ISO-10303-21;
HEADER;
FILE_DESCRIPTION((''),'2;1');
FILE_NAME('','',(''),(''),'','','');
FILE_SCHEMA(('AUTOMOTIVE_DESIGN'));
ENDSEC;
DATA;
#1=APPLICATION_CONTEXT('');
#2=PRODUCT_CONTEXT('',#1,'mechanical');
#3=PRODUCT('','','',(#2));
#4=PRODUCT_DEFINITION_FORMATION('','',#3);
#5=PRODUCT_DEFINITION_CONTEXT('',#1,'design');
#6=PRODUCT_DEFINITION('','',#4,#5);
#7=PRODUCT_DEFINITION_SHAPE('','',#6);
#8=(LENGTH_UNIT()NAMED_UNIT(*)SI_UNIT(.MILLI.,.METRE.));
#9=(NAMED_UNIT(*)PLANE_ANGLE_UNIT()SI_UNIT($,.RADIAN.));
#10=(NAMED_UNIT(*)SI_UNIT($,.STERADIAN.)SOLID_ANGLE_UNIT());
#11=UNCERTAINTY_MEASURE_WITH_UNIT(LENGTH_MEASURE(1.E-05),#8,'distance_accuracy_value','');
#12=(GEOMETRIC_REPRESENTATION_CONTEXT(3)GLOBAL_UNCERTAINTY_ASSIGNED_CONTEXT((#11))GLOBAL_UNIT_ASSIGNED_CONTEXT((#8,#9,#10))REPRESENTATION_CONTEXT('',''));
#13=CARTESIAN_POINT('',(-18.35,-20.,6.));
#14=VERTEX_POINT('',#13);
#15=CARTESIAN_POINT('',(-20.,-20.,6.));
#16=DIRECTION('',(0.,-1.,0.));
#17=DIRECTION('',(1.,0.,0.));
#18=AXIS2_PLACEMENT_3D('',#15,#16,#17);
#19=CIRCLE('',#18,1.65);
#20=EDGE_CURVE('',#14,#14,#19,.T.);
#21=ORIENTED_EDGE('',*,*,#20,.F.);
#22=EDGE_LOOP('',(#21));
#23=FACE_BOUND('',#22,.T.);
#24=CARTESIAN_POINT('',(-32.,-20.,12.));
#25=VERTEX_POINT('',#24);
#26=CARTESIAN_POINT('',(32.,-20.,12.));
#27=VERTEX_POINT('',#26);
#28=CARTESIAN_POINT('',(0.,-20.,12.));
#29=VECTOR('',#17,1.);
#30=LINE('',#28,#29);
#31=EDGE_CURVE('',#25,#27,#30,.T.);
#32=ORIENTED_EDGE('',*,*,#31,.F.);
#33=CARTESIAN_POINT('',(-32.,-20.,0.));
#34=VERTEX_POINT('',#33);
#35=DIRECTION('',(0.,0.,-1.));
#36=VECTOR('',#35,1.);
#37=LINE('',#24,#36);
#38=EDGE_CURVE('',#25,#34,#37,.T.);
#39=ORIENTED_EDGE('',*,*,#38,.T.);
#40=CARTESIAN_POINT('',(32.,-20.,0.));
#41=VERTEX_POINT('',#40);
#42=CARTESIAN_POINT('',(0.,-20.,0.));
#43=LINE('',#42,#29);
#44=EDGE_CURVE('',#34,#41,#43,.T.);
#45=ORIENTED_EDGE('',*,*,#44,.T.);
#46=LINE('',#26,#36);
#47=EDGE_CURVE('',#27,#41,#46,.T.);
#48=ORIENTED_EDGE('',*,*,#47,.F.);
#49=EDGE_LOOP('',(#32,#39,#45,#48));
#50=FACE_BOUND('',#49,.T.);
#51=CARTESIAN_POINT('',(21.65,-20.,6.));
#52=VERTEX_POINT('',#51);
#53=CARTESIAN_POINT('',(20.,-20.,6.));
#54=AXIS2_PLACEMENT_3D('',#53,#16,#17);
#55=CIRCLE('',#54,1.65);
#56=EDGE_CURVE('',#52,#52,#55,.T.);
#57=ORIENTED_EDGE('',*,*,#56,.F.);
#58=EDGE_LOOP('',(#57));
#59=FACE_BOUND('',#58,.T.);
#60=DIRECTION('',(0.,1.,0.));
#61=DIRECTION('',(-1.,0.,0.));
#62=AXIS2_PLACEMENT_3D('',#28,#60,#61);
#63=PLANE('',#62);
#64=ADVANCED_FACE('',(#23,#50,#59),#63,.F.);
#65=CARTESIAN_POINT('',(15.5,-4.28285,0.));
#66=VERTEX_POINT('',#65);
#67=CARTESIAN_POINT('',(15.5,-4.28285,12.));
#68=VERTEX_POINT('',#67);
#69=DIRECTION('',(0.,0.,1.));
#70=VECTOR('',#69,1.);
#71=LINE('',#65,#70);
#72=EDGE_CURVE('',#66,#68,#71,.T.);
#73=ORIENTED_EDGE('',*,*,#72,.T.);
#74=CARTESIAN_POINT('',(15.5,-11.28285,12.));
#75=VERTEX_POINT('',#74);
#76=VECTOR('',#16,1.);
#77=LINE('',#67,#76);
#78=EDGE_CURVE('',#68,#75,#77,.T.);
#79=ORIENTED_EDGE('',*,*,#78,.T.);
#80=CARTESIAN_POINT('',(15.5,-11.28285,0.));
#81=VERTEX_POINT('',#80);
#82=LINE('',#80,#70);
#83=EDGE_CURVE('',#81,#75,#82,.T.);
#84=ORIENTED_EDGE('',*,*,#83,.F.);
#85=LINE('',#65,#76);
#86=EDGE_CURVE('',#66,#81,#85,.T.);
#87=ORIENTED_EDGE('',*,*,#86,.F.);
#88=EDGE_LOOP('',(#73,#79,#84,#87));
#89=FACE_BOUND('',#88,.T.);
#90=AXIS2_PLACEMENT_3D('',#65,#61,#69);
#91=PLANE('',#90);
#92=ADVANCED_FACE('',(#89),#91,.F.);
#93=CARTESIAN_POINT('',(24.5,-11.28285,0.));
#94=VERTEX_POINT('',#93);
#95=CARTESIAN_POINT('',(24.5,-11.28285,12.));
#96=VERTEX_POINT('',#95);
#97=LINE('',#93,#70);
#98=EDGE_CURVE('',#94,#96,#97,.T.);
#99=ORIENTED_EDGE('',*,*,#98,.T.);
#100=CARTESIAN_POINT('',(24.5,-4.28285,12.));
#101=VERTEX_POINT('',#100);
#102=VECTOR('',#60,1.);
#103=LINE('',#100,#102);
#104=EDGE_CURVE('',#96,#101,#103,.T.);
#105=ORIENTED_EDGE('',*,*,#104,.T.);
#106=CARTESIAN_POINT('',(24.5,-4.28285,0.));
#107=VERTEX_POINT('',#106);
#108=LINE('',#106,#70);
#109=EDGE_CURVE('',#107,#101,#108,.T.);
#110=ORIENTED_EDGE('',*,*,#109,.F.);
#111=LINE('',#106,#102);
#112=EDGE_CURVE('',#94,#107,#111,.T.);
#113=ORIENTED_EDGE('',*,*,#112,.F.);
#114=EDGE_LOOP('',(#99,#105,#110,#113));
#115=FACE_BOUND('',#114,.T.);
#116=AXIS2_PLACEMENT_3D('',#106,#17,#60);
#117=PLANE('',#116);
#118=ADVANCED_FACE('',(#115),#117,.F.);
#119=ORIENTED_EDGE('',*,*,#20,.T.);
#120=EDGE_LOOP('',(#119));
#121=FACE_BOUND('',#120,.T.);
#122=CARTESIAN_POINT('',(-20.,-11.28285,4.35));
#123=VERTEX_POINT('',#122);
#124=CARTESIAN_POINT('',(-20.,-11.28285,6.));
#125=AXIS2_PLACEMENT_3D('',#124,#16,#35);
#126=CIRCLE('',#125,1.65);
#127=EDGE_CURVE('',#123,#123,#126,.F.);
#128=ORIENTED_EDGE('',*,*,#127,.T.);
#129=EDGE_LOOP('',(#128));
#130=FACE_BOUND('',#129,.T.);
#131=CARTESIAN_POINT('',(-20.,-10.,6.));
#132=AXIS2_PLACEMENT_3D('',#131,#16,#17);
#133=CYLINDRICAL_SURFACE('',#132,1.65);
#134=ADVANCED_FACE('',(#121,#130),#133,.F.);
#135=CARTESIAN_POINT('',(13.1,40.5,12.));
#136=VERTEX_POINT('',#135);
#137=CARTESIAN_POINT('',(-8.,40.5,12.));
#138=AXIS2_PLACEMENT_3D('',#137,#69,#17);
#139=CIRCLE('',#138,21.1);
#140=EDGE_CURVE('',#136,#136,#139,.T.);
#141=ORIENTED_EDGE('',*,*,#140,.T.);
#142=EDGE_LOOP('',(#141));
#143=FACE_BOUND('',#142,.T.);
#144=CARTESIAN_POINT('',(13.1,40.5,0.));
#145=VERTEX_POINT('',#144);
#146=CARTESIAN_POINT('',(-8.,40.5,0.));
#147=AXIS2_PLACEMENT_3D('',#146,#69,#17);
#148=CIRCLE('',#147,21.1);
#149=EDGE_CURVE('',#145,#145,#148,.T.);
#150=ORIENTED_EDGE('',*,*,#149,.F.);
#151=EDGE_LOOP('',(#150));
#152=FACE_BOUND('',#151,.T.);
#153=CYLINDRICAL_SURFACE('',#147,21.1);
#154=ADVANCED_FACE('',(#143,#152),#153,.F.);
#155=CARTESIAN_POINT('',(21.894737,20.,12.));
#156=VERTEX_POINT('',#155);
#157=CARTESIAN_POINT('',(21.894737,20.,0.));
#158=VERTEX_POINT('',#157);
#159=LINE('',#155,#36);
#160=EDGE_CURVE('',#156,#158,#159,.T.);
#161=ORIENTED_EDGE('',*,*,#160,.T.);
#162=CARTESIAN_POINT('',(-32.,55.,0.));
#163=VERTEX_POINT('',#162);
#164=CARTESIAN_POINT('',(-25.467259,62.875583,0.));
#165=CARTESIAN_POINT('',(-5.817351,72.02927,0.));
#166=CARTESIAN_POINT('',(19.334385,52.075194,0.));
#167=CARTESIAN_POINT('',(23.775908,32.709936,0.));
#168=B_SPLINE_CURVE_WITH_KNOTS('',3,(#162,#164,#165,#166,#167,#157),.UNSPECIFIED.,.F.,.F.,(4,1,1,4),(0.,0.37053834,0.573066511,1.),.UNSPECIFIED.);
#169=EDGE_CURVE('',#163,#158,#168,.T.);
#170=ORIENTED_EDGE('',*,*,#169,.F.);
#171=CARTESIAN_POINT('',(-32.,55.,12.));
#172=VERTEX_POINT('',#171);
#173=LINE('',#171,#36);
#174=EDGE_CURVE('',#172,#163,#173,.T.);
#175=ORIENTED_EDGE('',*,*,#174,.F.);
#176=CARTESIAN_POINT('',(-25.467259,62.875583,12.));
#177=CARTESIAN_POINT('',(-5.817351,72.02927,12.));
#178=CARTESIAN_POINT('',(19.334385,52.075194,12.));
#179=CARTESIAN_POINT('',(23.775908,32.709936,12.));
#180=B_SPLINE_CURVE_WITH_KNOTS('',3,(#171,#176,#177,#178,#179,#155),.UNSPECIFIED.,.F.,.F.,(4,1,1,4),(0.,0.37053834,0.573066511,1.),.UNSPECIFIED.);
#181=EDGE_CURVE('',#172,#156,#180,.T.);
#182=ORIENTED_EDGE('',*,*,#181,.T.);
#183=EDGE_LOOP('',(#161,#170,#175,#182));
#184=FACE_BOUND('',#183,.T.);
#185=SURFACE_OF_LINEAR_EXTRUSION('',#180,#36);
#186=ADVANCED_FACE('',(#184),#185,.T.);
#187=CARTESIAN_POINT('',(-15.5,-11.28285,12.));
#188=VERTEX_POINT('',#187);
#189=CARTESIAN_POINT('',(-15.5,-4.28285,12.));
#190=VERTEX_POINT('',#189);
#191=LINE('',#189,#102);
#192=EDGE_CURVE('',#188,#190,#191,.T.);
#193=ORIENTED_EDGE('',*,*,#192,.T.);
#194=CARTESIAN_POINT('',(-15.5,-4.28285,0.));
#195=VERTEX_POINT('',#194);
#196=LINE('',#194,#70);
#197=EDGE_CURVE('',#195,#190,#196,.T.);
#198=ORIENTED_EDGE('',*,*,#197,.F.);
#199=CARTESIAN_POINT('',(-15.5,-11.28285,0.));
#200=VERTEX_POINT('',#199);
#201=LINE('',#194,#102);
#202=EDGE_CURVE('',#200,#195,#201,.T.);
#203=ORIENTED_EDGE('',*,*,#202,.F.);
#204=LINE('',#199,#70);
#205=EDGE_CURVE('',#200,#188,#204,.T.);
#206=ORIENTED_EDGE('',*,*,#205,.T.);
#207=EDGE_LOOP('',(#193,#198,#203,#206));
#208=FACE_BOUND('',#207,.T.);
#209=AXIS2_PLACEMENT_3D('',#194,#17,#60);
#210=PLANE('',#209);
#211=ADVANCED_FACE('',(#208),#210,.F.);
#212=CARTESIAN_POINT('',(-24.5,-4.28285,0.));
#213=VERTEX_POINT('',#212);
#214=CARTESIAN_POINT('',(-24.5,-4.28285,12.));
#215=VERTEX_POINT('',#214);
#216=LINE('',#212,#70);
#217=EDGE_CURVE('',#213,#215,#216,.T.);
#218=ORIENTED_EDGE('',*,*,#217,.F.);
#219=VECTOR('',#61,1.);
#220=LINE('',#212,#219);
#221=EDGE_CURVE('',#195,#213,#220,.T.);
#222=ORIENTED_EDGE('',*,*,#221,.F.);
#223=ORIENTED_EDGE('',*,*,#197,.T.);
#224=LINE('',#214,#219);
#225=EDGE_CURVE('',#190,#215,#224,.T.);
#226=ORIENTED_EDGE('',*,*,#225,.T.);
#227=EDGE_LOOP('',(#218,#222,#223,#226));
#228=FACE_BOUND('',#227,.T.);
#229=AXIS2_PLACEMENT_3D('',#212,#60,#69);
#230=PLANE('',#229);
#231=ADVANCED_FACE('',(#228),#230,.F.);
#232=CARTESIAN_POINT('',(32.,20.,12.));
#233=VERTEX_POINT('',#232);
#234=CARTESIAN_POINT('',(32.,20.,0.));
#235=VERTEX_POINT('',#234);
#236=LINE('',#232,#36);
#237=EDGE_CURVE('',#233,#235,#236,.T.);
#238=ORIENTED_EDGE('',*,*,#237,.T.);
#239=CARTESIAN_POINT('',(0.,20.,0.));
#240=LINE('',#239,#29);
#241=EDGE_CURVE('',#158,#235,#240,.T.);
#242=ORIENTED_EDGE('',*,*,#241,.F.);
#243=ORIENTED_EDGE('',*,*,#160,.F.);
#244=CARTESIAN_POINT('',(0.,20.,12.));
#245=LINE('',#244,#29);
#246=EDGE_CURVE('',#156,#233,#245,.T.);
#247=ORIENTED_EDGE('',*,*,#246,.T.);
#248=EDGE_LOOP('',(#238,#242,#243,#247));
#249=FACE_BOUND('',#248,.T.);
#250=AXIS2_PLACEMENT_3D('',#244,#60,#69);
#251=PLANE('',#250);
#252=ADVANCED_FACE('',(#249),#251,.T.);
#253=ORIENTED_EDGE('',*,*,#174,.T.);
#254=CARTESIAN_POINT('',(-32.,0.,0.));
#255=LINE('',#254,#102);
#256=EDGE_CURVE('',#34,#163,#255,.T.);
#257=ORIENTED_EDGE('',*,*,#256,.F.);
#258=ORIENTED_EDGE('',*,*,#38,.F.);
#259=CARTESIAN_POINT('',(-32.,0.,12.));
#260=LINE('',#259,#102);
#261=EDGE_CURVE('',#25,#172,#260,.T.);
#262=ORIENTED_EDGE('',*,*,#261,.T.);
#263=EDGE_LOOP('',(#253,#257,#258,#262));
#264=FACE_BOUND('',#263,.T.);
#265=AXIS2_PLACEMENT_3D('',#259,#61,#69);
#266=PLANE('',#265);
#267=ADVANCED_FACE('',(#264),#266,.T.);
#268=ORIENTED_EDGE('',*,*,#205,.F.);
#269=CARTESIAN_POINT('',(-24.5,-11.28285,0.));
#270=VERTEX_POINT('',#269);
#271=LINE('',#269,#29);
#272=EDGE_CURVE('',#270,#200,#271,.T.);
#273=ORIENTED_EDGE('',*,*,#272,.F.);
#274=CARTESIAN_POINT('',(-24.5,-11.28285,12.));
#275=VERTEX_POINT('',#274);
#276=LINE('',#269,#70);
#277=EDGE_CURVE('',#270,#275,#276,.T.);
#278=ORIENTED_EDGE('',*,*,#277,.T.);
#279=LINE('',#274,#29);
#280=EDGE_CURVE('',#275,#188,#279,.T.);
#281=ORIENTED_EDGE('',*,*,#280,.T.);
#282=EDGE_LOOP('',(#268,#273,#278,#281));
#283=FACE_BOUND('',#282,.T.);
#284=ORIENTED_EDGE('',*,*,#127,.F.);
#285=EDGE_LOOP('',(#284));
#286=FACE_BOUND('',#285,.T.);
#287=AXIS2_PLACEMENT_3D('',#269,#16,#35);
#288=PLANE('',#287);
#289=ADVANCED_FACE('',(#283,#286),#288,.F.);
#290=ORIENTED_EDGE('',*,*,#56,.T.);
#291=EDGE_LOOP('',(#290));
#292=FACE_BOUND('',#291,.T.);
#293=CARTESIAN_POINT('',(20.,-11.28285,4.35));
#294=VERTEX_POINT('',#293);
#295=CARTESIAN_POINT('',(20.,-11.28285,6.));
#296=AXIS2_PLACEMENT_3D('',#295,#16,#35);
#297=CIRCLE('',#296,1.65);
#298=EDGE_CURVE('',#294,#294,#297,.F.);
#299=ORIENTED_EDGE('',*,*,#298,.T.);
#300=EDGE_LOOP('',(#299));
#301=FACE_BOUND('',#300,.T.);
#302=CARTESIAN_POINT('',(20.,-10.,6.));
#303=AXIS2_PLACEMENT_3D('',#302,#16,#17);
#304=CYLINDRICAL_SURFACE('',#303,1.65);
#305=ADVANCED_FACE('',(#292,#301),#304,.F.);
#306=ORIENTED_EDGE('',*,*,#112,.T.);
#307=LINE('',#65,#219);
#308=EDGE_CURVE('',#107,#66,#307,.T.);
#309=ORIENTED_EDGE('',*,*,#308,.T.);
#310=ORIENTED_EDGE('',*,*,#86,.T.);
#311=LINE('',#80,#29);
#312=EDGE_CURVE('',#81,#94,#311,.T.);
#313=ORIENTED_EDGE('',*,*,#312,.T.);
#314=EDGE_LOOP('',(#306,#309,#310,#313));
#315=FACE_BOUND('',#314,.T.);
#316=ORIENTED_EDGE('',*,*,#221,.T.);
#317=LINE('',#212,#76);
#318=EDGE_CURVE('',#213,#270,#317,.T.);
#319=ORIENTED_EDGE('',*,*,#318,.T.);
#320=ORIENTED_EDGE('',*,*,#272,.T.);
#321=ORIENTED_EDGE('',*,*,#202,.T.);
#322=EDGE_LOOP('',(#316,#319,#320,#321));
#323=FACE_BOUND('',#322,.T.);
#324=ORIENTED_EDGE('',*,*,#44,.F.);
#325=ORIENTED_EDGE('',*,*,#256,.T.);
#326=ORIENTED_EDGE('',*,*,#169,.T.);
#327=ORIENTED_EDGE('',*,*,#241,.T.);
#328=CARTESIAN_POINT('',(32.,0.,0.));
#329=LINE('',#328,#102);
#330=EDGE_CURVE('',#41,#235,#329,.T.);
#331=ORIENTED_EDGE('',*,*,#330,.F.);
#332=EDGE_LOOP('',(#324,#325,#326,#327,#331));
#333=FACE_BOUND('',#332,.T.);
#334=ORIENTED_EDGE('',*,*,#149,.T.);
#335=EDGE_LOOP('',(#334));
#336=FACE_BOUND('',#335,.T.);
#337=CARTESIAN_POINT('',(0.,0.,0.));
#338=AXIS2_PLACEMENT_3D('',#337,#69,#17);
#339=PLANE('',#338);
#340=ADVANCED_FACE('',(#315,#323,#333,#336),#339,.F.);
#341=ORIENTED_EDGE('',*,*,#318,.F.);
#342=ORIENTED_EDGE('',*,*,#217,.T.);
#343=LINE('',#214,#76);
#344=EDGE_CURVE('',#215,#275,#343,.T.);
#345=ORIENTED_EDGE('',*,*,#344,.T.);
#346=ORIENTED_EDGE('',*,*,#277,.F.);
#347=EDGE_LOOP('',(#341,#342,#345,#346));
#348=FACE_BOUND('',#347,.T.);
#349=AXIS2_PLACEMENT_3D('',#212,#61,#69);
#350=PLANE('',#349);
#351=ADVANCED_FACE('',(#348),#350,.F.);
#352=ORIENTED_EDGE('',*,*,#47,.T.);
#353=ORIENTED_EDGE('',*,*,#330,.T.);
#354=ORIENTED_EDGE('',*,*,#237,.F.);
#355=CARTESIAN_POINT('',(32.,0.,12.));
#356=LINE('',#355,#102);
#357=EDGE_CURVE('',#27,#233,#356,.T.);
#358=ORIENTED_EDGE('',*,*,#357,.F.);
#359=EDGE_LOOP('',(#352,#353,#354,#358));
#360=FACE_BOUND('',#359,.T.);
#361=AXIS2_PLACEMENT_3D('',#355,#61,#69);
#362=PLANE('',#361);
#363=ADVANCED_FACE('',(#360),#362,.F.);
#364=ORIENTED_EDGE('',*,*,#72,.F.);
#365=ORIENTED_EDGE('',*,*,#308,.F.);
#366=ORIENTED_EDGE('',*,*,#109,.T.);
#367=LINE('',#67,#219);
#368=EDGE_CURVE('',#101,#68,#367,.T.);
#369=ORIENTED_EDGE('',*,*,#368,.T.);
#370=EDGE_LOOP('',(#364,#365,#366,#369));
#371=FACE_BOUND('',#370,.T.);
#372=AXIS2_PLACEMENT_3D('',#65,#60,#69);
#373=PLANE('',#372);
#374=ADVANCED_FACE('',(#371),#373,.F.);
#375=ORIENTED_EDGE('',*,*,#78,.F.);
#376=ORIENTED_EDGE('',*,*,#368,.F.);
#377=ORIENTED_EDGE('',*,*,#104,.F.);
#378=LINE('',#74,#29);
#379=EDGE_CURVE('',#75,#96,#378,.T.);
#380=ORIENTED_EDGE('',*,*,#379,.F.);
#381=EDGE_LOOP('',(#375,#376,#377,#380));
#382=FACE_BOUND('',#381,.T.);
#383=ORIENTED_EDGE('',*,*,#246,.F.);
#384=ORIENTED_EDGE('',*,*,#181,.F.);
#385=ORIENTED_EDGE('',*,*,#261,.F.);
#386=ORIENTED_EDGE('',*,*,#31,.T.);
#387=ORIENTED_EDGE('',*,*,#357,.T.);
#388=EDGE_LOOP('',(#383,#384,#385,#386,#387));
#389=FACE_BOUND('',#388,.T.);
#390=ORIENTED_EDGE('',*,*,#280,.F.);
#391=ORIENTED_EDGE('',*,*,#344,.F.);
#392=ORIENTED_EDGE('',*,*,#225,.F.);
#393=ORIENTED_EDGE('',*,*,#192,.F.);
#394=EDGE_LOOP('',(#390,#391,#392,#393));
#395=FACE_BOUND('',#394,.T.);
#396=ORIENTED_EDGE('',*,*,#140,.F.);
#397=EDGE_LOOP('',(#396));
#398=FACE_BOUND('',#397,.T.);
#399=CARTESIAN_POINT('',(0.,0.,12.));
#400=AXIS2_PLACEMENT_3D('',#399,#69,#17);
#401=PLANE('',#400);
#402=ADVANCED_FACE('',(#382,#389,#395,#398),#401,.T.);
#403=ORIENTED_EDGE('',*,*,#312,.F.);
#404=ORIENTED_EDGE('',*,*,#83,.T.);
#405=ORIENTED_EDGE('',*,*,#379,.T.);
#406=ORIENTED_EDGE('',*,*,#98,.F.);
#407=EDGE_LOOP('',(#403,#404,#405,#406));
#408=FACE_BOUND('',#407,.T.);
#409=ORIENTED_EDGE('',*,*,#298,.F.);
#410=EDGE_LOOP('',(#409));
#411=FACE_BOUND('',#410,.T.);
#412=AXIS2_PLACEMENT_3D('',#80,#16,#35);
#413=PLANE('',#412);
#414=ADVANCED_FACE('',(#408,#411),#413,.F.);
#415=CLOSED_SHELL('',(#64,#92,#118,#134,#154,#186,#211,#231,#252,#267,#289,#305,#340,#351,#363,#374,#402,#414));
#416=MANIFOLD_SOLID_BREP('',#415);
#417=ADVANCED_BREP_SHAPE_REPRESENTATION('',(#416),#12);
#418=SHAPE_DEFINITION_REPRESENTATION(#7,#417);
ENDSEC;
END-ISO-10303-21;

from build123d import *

# Parameters (mm, degrees)
SKETCH1_W           = 64
SKETCH1_H           = 40
BOSS_EXTRUDE1_DEPTH = 12
CUT_EXTRUDE1_DEPTH  = 13.0000001
SKETCH3_R           = 1.65
CUT_EXTRUDE4_DEPTH  = 10
SKETCH5_W           = 9
SKETCH5_H           = 7
CUT_EXTRUDE5_DEPTH  = 13.0000001


with BuildPart() as part:
    # Sketch1 → Boss-Extrude1 (new body)
    with BuildSketch(Plane.XY):
        with BuildLine():
            Line((-32, 55), (-32, 20))
            Line((-32, 20), (21.894736842, 20))
            add(Edge.make_bspline(
                [(-32, 55), (-25.467258538, 62.875582676), (-5.817351499, 72.029269909), (19.334385291, 52.075193803), (23.775907594, 32.709936379), (21.894736842, 20)],
                knots=[0, 0, 0, 0, 0.37053834, 0.573066511, 1, 1, 1, 1], degree=3))
        make_face()
        Rectangle(SKETCH1_W, SKETCH1_H)
    extrude(amount=BOSS_EXTRUDE1_DEPTH)

    # Sketch2 → Cut-Extrude1 (cut, through all)
    with BuildSketch(Plane.XY.offset(12)):
        with BuildLine():
            Line((4.2, 23.284599918), (4.2, 52.5))
            Line((4.2, 52.5), (-20.2, 52.5))
            Line((-20.2, 52.5), (-20.2, 23.284599918))
            ThreePointArc((-20.2, 23.284599918), (-8, 19.4), (4.2, 23.284599918))
        make_face()
        with BuildLine():
            Line((-20.2, 52.5), (4.2, 52.5))
            Line((4.2, 52.5), (4.2, 23.284599918))
            ThreePointArc((4.2, 23.284599918), (10.743398838, 30.81005676), (13.1, 40.5))
            ThreePointArc((13.1, 40.5), (-17.68994324, 59.243398838), (-20.2, 23.284599918))
            Line((-20.2, 23.284599918), (-20.2, 52.5))
        make_face()
    extrude(amount=-CUT_EXTRUDE1_DEPTH, mode=Mode.SUBTRACT)

    # Sketch3 → Cut-Extrude4 (cut)
    with BuildSketch(Plane.XZ.offset(20)):
        with Locations((-20, 6)):
            Circle(SKETCH3_R)
        with Locations((20, 6)):
            Circle(SKETCH3_R)
    extrude(amount=-CUT_EXTRUDE4_DEPTH, mode=Mode.SUBTRACT)

    # Sketch5 → Cut-Extrude5 (cut, through all)
    with BuildSketch(Plane.XY.offset(12)):
        with Locations((-20, -7.782850087)):
            Rectangle(SKETCH5_W, SKETCH5_H)
        with Locations((20, -7.782850087)):
            Rectangle(SKETCH5_W, SKETCH5_H)
    extrude(amount=-CUT_EXTRUDE5_DEPTH, mode=Mode.SUBTRACT)


solid = part.part
